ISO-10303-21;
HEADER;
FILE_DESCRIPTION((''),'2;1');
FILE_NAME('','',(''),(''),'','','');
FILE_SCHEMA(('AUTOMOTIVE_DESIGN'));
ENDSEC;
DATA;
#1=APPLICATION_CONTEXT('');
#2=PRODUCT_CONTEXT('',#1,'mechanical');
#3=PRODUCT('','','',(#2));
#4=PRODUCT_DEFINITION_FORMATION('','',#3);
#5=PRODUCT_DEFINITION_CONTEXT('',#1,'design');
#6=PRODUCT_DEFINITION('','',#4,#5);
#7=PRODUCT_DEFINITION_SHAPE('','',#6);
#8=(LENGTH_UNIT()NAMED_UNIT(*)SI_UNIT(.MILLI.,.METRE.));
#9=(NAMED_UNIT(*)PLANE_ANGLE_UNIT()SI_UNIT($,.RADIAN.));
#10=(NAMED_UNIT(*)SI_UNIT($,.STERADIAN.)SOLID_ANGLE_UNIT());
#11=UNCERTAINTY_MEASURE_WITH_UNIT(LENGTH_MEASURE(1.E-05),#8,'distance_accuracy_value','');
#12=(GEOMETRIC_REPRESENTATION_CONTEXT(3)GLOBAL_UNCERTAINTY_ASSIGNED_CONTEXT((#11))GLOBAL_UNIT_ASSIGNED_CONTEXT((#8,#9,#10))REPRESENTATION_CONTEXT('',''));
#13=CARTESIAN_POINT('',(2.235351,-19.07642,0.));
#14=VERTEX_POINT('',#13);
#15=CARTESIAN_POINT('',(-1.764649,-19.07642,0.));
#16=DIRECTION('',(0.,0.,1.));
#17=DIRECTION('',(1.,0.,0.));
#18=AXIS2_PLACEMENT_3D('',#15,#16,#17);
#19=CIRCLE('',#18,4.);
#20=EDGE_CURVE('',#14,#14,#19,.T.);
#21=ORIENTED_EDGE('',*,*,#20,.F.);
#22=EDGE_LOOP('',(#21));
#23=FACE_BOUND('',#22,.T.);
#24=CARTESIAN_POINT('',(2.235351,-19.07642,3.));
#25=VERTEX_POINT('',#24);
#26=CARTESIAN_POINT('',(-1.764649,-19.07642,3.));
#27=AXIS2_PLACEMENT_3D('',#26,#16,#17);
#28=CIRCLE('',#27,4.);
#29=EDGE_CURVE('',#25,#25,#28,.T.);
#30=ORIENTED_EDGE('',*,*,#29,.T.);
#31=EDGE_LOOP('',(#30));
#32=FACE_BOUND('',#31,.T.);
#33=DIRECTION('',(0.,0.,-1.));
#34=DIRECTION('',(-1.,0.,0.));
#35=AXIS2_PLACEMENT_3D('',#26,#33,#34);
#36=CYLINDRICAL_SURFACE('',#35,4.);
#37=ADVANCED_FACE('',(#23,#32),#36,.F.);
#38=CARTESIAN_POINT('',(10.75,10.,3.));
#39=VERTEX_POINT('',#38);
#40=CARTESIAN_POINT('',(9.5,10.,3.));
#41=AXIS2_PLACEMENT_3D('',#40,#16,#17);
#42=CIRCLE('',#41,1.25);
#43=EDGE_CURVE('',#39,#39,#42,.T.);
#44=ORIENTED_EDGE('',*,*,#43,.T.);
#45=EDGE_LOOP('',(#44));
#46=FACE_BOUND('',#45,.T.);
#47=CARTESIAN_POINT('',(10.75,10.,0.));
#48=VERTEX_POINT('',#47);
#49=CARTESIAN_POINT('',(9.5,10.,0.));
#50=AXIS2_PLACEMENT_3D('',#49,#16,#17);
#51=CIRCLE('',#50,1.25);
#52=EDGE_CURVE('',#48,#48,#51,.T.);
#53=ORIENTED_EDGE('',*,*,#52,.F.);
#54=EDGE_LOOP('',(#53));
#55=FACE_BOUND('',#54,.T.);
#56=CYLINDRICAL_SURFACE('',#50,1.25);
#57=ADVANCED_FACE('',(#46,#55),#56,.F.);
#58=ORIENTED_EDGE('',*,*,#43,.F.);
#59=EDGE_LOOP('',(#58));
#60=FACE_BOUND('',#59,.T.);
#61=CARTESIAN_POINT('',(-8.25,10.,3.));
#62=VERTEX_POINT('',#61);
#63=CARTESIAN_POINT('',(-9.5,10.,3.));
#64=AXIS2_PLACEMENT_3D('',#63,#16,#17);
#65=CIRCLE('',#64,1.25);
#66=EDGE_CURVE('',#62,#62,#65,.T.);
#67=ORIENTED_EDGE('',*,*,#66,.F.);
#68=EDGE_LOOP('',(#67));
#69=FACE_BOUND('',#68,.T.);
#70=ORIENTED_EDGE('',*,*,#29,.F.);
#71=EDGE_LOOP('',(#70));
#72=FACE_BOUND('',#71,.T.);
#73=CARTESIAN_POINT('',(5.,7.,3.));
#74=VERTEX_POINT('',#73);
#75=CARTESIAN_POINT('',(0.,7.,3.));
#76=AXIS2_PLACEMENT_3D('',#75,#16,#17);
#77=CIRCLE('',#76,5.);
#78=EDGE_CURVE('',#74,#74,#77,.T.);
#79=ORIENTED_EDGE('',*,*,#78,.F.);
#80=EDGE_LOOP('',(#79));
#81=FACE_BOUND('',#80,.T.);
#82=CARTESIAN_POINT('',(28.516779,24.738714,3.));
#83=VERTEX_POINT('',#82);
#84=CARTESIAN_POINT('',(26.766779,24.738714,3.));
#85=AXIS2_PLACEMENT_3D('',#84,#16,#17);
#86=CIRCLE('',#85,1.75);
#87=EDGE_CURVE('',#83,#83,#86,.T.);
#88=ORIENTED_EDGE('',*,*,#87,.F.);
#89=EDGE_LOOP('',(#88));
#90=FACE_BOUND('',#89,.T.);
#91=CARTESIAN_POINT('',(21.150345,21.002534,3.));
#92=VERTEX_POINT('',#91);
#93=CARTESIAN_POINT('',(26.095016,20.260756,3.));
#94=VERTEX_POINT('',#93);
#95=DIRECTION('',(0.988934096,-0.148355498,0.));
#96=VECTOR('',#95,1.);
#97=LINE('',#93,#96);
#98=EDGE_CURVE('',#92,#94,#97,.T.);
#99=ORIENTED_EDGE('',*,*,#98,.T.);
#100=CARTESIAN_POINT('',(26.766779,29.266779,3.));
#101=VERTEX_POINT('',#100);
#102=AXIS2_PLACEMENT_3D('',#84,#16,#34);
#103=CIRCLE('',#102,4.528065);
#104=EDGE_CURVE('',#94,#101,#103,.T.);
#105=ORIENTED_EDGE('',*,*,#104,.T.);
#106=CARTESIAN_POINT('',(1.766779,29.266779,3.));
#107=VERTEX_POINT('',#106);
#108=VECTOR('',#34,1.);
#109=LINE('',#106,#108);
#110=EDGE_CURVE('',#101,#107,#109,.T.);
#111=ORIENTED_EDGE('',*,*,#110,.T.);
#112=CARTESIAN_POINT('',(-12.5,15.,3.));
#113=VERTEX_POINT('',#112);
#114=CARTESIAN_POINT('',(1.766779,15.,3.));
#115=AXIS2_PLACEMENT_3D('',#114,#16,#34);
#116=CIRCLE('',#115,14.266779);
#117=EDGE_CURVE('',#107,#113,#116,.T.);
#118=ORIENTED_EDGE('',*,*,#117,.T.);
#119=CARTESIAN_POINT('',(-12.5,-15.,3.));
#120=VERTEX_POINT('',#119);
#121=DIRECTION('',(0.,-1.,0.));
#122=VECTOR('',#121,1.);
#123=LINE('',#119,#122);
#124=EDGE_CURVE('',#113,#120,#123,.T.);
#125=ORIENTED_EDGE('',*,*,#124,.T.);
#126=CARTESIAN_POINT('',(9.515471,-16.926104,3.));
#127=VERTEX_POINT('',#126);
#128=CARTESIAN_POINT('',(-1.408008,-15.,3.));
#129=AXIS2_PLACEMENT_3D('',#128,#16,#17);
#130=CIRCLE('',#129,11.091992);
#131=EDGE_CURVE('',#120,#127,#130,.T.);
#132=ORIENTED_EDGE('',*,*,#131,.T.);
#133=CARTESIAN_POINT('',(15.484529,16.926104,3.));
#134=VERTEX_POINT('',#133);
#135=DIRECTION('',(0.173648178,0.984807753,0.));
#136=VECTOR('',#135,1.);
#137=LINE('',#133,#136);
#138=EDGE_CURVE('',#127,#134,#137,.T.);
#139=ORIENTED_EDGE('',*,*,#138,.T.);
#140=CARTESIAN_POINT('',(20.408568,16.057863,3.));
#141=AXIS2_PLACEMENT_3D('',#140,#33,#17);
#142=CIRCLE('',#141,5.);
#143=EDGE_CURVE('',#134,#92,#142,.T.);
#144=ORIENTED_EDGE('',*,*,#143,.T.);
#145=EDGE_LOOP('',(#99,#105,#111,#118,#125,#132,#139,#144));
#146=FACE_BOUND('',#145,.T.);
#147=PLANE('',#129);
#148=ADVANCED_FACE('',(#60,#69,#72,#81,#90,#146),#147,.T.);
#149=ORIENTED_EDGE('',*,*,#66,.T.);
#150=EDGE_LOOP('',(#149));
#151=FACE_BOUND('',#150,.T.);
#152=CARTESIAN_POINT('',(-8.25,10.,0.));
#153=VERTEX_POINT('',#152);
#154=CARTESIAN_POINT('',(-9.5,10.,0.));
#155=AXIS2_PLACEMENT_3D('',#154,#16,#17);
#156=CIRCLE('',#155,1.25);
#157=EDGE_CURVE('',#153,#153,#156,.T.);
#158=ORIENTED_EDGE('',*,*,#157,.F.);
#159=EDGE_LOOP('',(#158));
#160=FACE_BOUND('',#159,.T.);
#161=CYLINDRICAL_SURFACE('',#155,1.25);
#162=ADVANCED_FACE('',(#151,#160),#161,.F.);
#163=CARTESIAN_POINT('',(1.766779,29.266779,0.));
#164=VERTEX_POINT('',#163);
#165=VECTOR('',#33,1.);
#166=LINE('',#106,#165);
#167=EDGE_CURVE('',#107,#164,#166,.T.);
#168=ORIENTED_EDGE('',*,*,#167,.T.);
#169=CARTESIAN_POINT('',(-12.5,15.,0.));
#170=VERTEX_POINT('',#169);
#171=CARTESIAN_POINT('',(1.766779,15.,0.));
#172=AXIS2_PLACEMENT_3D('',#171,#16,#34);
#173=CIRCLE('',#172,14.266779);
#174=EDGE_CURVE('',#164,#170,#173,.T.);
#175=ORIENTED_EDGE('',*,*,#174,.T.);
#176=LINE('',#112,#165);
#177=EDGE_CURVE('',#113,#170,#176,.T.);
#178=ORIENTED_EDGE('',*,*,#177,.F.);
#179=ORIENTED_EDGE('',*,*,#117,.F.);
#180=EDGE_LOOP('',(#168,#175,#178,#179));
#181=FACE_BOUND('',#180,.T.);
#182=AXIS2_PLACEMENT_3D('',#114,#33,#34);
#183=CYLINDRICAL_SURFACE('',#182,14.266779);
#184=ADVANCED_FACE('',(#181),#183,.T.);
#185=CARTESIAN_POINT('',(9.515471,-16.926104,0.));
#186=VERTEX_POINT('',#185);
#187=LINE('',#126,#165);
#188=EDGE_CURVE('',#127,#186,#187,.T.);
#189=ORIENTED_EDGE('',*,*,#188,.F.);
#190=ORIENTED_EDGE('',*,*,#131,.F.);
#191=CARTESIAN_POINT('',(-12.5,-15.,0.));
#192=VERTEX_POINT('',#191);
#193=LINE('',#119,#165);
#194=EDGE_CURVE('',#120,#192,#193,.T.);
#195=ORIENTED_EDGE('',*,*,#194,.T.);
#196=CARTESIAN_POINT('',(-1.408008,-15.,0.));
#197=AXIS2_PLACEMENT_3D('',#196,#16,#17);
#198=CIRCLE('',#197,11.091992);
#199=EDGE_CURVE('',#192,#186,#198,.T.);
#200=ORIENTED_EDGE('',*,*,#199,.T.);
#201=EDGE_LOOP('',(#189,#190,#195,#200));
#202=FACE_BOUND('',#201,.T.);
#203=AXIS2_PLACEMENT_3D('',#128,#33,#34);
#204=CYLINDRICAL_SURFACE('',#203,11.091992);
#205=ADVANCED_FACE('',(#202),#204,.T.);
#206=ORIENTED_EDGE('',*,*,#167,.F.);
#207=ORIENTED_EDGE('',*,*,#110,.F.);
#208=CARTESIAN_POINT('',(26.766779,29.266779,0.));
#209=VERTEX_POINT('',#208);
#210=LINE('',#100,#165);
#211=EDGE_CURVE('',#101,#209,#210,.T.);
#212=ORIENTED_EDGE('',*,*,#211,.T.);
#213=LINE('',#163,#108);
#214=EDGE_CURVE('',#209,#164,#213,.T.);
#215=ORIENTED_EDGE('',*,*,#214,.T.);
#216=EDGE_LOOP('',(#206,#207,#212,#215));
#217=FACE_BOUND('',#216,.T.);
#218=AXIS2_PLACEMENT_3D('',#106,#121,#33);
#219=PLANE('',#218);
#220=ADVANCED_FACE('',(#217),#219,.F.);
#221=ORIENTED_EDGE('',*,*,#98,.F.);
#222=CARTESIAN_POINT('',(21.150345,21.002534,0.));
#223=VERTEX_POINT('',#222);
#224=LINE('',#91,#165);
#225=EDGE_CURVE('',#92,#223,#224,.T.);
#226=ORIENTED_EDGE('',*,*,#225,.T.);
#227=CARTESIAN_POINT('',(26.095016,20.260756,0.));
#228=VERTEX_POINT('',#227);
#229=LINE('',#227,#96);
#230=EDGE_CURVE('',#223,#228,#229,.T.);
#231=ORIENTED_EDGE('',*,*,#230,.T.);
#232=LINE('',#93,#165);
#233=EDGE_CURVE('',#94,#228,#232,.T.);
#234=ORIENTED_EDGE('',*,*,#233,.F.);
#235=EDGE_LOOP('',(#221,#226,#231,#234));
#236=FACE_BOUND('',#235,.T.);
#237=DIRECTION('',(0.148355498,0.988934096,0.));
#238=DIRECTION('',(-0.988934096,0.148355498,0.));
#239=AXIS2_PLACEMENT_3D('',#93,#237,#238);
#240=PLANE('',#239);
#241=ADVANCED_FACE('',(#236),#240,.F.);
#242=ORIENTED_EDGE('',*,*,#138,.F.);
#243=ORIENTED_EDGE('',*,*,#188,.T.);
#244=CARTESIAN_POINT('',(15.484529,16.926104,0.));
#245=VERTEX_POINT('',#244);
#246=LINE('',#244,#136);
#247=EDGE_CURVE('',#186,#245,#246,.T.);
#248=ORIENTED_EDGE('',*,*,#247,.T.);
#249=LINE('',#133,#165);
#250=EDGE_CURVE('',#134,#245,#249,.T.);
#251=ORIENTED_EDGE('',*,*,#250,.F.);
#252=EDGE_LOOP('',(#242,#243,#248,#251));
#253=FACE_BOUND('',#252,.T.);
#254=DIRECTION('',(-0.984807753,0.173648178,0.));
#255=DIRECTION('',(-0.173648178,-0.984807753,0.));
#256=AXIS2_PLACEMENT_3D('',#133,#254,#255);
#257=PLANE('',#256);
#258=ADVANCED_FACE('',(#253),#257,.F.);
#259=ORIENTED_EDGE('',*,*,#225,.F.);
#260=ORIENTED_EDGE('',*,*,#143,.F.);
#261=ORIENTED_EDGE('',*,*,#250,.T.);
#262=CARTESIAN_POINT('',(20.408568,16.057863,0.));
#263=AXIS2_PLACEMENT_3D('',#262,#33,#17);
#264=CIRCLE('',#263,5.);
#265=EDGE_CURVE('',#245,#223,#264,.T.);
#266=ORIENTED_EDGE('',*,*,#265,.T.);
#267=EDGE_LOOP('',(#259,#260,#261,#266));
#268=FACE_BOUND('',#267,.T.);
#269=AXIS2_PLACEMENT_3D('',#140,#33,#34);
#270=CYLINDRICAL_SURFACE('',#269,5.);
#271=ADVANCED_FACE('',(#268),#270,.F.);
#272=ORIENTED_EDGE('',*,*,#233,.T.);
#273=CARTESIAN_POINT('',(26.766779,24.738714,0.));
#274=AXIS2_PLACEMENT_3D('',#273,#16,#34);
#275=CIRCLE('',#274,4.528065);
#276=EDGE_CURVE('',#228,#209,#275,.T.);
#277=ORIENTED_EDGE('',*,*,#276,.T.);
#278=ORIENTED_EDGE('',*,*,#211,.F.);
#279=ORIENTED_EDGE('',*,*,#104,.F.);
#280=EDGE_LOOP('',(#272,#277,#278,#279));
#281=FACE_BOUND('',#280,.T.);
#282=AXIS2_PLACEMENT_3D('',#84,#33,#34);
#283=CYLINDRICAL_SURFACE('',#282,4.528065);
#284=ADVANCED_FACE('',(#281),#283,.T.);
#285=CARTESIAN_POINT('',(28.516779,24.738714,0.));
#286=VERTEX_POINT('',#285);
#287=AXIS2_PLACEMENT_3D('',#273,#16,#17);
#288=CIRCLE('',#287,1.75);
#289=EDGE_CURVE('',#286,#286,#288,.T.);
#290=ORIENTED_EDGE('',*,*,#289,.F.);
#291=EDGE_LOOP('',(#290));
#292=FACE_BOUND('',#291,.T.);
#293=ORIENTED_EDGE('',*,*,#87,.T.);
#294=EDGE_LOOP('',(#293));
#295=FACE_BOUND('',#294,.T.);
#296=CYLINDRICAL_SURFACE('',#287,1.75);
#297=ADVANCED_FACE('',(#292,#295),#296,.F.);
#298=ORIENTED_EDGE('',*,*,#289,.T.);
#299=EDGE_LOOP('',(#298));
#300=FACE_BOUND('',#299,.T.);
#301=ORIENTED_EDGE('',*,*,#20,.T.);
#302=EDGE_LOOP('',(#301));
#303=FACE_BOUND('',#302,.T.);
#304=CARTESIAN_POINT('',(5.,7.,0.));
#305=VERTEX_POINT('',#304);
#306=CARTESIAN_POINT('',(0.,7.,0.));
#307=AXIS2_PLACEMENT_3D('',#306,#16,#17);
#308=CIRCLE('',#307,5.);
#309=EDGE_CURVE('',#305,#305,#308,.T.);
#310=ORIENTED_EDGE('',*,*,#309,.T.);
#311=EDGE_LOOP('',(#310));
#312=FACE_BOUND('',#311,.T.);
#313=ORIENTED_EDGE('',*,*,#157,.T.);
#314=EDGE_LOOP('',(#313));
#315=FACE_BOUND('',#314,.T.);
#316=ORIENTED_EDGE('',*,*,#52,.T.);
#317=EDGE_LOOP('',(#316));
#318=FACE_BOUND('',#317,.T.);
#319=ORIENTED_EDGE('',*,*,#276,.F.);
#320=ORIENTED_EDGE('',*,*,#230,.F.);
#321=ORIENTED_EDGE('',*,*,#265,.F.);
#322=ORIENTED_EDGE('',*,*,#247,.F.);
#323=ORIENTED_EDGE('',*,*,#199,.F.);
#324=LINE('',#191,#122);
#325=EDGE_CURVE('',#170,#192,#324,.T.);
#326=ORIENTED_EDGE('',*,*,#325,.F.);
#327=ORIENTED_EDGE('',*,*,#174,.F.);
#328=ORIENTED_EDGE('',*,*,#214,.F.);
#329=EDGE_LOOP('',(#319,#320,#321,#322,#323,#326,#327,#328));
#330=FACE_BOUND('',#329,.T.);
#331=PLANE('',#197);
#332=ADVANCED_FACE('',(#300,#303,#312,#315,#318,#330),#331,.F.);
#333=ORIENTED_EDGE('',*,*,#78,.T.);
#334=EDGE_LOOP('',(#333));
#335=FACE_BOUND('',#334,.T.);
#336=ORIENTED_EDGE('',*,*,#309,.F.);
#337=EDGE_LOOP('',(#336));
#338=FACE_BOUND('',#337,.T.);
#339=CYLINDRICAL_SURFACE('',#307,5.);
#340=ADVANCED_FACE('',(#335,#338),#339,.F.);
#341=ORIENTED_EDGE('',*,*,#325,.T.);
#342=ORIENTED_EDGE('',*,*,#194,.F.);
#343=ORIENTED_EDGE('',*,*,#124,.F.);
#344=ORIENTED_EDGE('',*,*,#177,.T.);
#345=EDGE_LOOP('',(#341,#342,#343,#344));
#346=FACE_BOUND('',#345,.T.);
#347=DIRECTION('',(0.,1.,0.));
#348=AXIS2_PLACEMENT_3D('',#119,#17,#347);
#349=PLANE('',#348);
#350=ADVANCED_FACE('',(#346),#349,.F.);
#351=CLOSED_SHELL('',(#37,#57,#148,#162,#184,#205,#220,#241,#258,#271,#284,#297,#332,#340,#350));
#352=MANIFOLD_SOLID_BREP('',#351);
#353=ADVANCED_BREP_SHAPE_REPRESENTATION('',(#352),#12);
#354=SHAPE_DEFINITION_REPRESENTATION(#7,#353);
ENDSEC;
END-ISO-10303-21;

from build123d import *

# Parameters (mm, degrees)
SKETCH3_R           = 4
BOSS_EXTRUDE4_DEPTH = 3
SKETCH5_R           = 1.25
SKETCH5_R_2         = 5
CUT_EXTRUDE2_DEPTH  = 43.952434096
SKETCH6_R           = 1.75
CUT_EXTRUDE3_DEPTH  = 43.952434096


with BuildPart() as part:
    # Sketch3 → Boss-Extrude4 (new body)
    with BuildSketch(Plane.XY):
        with BuildLine():
            Line((-12.5, -15), (-12.5, 15))
            ThreePointArc((-12.5, 15), (-8.321357206, 25.088136105), (1.766778898, 29.266778898))
            Line((1.766778898, 29.266778898), (26.766778898, 29.266778898))
            ThreePointArc((26.766778898, 29.266778898), (31.28229963, 24.401899264), (26.095015576, 20.260756249))
            Line((26.095015576, 20.260756249), (21.150345096, 21.00253374))
            ThreePointArc((21.150345096, 21.00253374), (17.488439715, 20.116539535), (15.48452884, 16.926104149))
            Line((15.48452884, 16.926104149), (9.51547116, -16.926104149))
            ThreePointArc((9.51547116, -16.926104149), (-2.374739058, -26.049783342), (-12.5, -15))
        make_face()
        with Locations((-1.764648859, -19.076420455)):
            Circle(SKETCH3_R, mode=Mode.SUBTRACT)
    extrude(amount=BOSS_EXTRUDE4_DEPTH)

    # Sketch5 → Cut-Extrude2 (cut, through all)
    with BuildSketch(Plane.XY.offset(3)):
        with Locations((-9.5, 10)):
            Circle(SKETCH5_R)
        with Locations((9.5, 10)):
            Circle(SKETCH5_R)
        with Locations((0, 7)):
            Circle(SKETCH5_R_2)
    extrude(amount=-CUT_EXTRUDE2_DEPTH, mode=Mode.SUBTRACT)

    # Sketch6 → Cut-Extrude3 (cut, through all)
    with BuildSketch(Plane.XY.offset(3)):
        with Locations((26.766778898, 24.738714008)):
            Circle(SKETCH6_R)
    extrude(amount=-CUT_EXTRUDE3_DEPTH, mode=Mode.SUBTRACT)


solid = part.part
